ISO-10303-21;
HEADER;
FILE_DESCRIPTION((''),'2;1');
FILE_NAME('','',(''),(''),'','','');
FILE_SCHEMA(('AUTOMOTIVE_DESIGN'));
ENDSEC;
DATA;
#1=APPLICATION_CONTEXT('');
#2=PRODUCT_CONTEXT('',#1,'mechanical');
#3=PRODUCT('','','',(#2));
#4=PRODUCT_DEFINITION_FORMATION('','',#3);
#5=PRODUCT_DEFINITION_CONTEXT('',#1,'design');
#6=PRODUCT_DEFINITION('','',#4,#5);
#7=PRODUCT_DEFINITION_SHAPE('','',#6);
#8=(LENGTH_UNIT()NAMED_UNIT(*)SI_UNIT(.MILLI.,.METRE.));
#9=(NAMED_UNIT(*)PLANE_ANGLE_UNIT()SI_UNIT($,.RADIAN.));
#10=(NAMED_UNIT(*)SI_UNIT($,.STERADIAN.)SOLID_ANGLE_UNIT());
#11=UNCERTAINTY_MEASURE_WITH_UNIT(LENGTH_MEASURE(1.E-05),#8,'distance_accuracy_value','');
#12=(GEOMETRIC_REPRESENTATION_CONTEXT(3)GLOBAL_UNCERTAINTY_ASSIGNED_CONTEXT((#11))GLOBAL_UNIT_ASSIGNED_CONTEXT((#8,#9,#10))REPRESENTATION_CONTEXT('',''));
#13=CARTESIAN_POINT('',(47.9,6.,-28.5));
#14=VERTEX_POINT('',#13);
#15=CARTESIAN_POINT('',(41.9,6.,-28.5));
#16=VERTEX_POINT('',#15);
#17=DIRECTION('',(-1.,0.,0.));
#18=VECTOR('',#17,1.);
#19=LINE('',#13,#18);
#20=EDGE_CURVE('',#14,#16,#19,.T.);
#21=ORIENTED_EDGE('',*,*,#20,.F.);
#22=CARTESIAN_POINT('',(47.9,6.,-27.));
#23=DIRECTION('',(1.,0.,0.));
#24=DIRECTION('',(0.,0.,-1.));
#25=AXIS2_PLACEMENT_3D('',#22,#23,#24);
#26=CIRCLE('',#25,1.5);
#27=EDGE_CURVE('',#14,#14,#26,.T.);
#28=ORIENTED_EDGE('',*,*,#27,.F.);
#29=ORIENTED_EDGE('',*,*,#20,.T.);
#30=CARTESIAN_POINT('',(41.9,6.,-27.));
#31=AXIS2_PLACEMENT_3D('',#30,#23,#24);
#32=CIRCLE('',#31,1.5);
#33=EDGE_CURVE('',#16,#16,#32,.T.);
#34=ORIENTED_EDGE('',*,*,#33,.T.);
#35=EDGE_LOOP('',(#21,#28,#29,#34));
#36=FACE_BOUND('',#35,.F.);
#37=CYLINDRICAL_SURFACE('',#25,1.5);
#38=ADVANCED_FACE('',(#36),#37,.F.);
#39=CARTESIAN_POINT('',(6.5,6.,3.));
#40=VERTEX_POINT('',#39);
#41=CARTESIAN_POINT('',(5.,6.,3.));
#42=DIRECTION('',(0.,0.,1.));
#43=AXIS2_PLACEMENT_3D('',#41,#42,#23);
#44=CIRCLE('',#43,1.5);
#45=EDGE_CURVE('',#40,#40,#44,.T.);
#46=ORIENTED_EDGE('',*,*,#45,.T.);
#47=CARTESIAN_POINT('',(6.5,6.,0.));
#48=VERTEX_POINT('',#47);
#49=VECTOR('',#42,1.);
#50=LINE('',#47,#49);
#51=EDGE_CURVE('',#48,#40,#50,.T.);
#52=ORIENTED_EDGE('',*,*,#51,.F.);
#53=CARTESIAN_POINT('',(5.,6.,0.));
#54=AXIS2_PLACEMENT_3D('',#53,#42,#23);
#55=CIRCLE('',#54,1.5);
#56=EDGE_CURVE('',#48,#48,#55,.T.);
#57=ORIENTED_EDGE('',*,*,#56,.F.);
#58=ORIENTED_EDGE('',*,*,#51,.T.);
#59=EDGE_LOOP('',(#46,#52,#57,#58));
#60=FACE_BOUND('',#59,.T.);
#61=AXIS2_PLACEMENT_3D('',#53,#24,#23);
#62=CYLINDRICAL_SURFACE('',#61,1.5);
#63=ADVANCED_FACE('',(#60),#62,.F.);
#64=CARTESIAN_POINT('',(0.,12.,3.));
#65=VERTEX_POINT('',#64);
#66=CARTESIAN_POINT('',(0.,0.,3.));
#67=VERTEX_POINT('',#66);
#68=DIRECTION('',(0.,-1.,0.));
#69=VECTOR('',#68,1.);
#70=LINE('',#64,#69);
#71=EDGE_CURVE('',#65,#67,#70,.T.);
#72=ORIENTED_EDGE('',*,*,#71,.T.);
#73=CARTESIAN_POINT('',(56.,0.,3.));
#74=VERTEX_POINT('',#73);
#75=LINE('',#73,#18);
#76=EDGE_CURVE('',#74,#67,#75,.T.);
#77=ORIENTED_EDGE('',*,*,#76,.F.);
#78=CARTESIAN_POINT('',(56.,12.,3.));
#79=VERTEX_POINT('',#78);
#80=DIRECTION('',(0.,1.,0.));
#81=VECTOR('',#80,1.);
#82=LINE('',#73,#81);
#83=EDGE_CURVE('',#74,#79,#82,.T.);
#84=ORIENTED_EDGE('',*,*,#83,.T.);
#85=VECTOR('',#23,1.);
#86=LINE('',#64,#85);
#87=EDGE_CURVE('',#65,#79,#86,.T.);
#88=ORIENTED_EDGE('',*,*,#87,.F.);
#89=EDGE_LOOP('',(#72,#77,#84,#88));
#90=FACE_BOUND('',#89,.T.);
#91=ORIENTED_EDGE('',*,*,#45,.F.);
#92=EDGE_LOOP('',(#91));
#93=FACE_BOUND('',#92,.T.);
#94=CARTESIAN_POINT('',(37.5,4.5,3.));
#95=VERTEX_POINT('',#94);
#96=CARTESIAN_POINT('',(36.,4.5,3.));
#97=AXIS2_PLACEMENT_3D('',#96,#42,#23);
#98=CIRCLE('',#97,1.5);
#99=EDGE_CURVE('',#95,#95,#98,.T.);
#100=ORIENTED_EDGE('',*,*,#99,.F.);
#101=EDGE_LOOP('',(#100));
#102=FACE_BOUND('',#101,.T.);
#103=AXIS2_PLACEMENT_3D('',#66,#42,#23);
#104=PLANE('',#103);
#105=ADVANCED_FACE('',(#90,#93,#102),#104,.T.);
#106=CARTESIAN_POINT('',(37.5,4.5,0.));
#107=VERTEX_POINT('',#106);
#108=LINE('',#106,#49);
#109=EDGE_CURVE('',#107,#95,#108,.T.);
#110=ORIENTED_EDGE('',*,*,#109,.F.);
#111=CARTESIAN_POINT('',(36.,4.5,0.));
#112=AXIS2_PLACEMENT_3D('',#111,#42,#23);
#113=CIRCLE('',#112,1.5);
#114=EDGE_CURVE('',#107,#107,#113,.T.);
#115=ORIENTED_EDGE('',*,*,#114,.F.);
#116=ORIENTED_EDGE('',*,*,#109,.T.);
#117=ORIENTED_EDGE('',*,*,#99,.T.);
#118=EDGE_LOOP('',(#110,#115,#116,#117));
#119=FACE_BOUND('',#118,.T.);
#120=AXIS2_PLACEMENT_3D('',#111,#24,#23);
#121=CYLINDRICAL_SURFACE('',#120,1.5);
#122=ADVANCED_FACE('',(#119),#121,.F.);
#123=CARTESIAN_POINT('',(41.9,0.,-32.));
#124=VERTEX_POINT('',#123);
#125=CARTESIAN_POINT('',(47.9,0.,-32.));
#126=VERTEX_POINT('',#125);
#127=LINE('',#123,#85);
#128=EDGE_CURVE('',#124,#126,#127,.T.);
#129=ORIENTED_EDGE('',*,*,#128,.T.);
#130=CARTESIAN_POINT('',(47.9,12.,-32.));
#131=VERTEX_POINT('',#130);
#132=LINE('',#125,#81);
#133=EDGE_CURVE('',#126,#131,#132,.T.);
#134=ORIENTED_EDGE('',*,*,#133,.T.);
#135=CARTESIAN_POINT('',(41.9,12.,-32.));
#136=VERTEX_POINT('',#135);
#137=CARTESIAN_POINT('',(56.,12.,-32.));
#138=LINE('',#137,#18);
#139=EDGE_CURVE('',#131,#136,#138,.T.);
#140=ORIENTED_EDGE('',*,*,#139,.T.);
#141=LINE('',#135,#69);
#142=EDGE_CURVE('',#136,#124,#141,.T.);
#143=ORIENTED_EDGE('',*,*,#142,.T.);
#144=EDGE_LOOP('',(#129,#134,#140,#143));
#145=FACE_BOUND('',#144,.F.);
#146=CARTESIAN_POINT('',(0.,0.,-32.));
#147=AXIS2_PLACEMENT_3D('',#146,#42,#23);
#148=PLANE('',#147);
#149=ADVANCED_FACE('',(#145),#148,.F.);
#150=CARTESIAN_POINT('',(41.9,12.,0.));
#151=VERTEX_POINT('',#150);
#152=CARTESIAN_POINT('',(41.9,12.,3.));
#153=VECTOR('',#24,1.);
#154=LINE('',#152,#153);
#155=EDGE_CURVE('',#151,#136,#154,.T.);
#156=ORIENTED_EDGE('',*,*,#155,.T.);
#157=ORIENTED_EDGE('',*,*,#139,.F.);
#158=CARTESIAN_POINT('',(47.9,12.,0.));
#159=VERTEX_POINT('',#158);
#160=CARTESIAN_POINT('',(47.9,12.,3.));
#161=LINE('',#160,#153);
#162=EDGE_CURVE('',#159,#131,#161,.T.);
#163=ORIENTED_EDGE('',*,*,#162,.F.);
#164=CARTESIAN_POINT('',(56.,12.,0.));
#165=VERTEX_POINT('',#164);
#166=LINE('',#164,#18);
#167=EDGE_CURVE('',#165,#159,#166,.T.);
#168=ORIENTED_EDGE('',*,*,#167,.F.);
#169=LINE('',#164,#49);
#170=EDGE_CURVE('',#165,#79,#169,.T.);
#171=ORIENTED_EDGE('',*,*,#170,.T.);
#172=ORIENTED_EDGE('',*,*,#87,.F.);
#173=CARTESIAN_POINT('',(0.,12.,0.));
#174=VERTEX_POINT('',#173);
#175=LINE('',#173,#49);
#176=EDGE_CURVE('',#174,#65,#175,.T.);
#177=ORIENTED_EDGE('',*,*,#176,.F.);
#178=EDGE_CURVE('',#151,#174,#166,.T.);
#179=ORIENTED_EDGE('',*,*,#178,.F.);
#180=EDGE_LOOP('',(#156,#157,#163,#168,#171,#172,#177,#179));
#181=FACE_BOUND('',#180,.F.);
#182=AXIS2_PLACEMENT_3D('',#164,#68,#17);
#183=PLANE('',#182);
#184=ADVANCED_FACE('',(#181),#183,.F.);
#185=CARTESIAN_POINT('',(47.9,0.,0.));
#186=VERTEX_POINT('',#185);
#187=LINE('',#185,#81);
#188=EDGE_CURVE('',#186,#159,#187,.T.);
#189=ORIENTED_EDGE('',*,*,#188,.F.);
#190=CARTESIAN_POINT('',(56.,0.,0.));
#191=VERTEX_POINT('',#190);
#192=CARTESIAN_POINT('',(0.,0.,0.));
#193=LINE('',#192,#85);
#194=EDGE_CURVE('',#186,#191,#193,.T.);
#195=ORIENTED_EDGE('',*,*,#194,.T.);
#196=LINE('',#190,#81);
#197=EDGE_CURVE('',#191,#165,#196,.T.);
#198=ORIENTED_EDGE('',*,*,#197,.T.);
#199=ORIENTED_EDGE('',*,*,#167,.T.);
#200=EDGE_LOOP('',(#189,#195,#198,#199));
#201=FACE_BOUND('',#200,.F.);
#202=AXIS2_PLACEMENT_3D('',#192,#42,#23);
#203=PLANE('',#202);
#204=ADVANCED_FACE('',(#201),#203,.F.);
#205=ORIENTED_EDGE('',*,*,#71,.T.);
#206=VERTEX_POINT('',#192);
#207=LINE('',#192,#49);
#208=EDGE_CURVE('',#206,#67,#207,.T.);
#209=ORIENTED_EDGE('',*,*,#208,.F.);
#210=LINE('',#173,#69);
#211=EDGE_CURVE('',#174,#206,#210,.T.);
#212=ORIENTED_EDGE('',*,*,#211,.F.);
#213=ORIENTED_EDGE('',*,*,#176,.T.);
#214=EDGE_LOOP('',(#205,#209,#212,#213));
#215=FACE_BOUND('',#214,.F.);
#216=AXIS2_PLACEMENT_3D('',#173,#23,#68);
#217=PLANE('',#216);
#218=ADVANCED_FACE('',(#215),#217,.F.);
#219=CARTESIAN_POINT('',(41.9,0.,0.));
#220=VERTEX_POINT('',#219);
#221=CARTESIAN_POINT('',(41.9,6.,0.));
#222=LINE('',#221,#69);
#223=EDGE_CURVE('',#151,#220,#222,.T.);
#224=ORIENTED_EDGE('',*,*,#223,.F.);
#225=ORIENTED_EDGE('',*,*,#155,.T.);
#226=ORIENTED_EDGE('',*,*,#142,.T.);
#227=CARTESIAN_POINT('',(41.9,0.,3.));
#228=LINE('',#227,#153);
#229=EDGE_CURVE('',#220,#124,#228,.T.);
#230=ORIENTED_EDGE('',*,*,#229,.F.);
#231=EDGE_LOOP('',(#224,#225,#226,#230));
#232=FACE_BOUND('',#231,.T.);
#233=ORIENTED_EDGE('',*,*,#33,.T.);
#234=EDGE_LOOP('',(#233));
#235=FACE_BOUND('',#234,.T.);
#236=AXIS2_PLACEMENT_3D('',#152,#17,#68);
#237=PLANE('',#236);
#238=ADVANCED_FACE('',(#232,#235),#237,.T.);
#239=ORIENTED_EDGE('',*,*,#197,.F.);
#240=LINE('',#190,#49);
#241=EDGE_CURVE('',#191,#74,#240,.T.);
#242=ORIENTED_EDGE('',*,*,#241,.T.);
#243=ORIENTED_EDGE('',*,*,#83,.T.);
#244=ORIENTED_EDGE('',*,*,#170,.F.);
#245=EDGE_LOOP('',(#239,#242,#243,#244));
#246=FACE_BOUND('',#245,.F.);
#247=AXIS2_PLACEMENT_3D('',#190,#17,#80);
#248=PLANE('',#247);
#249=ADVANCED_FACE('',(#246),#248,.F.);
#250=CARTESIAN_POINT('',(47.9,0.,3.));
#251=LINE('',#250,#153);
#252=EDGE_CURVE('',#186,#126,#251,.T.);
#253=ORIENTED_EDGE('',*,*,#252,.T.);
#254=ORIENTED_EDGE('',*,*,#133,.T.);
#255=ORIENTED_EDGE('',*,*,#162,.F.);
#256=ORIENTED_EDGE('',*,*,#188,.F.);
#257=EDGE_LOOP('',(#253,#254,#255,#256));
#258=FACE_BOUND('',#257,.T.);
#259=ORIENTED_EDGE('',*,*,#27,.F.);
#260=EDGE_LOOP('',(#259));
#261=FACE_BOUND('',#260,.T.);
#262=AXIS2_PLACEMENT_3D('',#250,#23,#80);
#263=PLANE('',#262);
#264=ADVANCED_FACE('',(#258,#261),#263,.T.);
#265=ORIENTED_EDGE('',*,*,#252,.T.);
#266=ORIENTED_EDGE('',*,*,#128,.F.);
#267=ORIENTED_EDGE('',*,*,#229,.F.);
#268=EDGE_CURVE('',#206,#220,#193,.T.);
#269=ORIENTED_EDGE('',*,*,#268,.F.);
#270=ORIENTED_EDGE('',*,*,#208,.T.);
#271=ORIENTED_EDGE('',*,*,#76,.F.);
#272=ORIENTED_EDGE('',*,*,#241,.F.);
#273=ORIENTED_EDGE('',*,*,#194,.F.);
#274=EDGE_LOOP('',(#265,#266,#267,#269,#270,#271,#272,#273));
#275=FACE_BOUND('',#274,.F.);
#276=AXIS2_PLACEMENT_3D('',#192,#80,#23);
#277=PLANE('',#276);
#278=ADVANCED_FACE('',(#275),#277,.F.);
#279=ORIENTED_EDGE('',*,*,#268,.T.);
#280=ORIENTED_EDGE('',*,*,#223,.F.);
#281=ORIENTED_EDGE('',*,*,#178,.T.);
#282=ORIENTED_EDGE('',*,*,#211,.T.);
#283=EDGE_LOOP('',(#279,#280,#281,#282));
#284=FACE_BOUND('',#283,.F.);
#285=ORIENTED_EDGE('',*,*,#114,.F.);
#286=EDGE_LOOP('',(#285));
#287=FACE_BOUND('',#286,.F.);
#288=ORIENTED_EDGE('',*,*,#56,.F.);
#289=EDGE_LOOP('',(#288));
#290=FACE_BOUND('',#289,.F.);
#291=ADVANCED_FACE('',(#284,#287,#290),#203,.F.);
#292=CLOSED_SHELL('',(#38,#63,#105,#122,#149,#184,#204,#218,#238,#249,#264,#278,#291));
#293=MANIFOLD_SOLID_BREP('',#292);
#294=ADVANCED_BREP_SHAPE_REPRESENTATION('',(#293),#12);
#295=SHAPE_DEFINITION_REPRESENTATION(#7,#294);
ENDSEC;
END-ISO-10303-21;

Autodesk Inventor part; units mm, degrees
ref_plane "YZ Plane" through (0, 0, 0) normal (1, 0, 0) x (0, 1, 0)
ref_plane "XZ Plane" through (0, 0, 0) normal (0, 1, 0) x (-1, 0, 0)
ref_plane "XY Plane" through (0, 0, 0) normal (0, 0, 1) x (1, 0, 0)
sketch "Sketch3" plane through (0, 0, 0) normal (0, 0, 1) x (1, 0, 0)
  line L0 (0, 0) -> (56, 0)
  line L1 (56, 0) -> (56, 12)
  line L2 (56, 12) -> (0, 12)
  line L3 (0, 12) -> (0, 0)
  circle A0 centre (36, 4.5) radius 1.5
  circle A1 centre (5, 6) radius 1.5
  dimension "d0" = 56
  dimension "d2" = 3
  dimension "d3" = 4.5
  dimension "d4" = 12
  dimension "d8" = 20
  dimension "d17" = 3
  dimension "d18" = 5
extrude "Extrusion1" add sketch "Sketch3" along normal blind 3
sketch "Sketch4" plane through (0, 0, 3) normal (0, 0, 1) x (1, 0, 0)
  line L0 (56, 12) -> (0, 12) projected
  line L1 (41.9, 0) -> (47.9, 0)
  line L2 (47.9, 0) -> (47.9, 12)
  line L3 (47.9, 12) -> (41.9, 12)
  line L4 (41.9, 12) -> (41.9, 0)
  circle A0 centre (36, 4.5) radius 1.5 projected
  point P0 (0, 0)
  dimension "d9" = 6
  dimension "d10" = 5.9
extrude "Extrusion2" add sketch "Sketch4" against normal blind 35 contours L2 L1 L4 L0
sketch "Sketch5" plane through (47.9, 0, 0) normal (1, 0, 0) x (0, 0, -1)
  line L0 (32, 0) -> (32, 12) construction
  line L1 (0, 6) -> (0, 3) construction
  line L2 (32, 6) -> (0, 6) construction
  circle A0 centre (27, 6) radius 1.5
  point P0 (0, 0)
  dimension "d13" = 3
  dimension "d14" = 5
extrude "Extrusion3" cut sketch "Sketch5" against normal through all
properties part number "thumper-bumper-solenoid-interface-v2"
